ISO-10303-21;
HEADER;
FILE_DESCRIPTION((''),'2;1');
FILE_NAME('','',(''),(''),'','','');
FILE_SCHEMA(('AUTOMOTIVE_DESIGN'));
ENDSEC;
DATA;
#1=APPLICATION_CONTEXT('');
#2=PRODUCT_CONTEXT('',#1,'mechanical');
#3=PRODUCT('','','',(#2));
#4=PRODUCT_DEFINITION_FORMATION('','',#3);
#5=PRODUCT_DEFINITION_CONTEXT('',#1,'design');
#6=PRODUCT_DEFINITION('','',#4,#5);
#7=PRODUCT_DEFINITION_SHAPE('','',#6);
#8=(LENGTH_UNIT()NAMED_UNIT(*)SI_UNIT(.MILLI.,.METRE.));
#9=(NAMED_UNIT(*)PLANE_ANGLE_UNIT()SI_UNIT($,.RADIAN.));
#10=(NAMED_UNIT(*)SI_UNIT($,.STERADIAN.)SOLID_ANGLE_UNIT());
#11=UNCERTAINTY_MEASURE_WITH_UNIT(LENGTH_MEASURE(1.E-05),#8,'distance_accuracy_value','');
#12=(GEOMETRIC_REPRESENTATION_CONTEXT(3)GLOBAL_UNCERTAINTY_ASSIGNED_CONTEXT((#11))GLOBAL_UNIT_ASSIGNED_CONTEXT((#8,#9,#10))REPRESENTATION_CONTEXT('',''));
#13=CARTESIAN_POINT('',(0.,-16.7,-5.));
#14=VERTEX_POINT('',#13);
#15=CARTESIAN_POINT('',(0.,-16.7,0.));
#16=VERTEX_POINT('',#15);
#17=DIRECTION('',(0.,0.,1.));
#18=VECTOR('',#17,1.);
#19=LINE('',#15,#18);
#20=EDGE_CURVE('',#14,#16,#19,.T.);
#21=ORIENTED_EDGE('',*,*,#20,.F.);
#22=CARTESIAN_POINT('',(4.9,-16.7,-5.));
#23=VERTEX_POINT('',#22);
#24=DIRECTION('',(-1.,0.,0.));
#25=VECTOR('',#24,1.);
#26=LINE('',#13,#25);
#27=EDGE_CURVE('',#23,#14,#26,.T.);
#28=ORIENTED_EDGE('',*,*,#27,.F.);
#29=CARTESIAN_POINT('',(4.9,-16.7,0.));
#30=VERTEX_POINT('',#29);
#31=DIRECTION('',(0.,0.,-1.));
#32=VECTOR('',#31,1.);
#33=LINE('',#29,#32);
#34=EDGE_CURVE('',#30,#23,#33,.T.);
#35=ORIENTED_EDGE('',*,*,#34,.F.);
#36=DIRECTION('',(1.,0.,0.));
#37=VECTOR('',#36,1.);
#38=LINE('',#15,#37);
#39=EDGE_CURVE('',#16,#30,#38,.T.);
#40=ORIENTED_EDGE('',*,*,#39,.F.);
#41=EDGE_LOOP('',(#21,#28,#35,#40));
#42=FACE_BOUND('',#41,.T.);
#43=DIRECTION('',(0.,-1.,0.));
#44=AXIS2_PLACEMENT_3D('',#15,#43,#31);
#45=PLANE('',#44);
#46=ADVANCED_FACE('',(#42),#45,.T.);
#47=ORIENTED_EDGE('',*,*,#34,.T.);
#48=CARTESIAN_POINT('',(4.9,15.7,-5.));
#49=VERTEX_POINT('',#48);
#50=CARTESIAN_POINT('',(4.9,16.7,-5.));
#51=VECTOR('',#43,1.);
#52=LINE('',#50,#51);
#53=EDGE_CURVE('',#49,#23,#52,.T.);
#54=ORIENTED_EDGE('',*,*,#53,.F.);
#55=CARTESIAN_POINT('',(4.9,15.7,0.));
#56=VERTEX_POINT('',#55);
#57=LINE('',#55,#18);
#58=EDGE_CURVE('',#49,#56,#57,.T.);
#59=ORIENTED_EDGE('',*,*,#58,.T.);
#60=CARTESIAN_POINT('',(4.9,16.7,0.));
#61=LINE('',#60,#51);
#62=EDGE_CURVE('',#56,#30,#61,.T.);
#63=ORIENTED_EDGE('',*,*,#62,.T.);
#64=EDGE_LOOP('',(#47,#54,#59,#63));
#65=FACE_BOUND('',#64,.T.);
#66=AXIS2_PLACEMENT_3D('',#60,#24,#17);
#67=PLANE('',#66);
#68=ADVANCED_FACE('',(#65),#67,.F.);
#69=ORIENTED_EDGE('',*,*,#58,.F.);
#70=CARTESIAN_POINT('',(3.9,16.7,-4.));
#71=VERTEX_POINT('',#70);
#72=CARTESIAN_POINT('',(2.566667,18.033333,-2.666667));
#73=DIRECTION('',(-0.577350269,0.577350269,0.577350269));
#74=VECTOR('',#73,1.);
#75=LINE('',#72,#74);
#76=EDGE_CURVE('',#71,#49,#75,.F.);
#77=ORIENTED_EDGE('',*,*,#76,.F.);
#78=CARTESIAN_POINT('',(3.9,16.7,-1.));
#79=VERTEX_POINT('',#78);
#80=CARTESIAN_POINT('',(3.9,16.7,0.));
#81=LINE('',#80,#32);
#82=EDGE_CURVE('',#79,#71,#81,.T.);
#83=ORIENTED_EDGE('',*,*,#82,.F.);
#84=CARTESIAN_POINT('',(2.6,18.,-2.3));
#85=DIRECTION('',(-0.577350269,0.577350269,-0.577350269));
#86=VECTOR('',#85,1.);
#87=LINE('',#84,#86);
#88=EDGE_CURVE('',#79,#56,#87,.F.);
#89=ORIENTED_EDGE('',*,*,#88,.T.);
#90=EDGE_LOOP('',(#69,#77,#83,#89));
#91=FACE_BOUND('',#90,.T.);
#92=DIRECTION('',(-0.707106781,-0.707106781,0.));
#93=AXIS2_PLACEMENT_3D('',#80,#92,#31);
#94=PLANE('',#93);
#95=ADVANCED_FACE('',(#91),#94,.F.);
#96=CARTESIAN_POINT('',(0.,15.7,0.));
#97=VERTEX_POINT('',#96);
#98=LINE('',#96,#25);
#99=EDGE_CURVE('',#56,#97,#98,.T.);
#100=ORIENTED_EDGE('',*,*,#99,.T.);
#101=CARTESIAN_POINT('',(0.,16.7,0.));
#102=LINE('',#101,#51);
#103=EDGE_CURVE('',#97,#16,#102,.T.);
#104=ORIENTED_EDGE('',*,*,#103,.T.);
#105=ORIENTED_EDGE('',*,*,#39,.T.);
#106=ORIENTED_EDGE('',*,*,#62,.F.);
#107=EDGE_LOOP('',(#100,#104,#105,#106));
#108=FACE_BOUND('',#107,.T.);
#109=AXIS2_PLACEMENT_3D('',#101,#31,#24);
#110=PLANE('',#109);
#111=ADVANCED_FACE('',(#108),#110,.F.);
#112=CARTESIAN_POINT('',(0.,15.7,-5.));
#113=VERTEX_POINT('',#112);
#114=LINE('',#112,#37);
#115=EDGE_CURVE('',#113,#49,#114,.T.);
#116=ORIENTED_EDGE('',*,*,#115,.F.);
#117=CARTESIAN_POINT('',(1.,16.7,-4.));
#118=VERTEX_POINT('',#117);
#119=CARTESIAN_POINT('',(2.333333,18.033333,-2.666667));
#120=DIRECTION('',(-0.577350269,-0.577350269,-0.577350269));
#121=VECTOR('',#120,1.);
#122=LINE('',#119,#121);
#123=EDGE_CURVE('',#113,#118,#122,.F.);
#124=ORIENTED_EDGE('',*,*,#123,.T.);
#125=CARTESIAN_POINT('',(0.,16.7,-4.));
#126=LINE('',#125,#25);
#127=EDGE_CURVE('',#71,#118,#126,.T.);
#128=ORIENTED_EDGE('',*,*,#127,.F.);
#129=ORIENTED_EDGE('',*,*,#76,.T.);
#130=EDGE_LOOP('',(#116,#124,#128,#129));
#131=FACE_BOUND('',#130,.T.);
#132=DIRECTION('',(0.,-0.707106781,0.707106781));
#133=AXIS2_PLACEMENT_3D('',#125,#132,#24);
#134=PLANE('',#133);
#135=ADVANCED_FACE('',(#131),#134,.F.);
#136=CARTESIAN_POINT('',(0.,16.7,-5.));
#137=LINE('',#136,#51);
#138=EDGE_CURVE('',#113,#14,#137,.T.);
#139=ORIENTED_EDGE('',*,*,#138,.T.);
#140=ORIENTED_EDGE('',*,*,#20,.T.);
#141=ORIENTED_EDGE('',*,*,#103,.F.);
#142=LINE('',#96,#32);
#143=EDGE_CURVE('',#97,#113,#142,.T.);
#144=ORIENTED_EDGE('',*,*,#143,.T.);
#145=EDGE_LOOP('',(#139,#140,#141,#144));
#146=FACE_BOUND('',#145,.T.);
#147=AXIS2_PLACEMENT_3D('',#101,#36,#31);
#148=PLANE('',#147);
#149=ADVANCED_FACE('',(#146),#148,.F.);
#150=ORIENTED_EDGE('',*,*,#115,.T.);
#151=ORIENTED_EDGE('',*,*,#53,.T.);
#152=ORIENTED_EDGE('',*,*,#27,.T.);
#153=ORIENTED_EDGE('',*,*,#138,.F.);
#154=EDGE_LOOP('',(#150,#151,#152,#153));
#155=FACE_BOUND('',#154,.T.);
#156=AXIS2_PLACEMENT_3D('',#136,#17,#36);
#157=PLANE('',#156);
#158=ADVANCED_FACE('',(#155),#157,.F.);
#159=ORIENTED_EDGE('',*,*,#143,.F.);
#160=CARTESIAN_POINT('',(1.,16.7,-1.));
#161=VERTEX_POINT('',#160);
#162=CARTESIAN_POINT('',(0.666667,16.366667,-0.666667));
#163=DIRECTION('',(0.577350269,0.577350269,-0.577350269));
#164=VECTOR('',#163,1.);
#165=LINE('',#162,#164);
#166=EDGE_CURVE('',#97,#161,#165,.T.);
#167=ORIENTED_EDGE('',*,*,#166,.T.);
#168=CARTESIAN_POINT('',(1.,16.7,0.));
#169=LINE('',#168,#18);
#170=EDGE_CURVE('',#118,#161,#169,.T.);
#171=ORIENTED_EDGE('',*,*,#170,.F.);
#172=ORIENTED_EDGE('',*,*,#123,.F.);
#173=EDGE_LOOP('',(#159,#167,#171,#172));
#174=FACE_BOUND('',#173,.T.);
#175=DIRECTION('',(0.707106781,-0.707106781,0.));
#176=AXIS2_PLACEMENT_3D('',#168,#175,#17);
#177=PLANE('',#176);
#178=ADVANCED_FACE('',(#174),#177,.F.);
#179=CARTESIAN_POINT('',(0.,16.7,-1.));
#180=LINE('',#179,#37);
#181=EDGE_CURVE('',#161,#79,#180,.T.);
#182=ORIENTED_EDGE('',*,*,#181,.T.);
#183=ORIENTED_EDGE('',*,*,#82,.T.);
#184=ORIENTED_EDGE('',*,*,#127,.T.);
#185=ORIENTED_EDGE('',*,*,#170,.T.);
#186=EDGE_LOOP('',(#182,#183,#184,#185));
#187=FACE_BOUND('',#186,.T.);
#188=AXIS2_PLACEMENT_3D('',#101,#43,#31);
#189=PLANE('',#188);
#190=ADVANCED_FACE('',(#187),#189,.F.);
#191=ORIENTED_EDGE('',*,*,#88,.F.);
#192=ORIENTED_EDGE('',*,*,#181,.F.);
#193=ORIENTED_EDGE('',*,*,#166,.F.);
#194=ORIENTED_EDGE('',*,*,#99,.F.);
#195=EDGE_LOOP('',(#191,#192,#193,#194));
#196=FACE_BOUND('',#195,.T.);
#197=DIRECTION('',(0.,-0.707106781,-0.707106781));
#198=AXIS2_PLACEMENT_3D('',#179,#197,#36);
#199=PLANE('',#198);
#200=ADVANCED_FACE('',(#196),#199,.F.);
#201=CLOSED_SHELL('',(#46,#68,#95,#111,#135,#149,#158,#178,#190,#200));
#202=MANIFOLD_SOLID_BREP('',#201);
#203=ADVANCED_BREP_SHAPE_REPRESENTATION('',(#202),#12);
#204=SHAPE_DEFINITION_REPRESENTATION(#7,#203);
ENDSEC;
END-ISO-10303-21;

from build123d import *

# Parameters (mm, degrees)
SKETCH1_W           = 4.9
SKETCH1_H           = 5
BOSS_EXTRUDE1_DEPTH = 16.7
CHAMFER1_SIZE       = 1


with BuildPart() as part:
    # Sketch1 → Boss-Extrude1 (new, symmetric)
    with BuildSketch(Plane(origin=(0, 0, 0), x_dir=(1, 0, 0), z_dir=(0, 1, 0))):
        with Locations((2.45, 2.5)):
            Rectangle(SKETCH1_W, SKETCH1_H)
    extrude(amount=BOSS_EXTRUDE1_DEPTH, both=True)

    # Chamfer1
    chamfer1_edges = [part.edges().sort_by_distance(p)[0] for p in [
        (4.9, 16.7, -2.5),
        (2.45, 16.7, -5),
        (0, 16.7, -2.5),
        (2.45, 16.7, 0),
    ]]
    chamfer(chamfer1_edges, length=CHAMFER1_SIZE)


solid = part.part
